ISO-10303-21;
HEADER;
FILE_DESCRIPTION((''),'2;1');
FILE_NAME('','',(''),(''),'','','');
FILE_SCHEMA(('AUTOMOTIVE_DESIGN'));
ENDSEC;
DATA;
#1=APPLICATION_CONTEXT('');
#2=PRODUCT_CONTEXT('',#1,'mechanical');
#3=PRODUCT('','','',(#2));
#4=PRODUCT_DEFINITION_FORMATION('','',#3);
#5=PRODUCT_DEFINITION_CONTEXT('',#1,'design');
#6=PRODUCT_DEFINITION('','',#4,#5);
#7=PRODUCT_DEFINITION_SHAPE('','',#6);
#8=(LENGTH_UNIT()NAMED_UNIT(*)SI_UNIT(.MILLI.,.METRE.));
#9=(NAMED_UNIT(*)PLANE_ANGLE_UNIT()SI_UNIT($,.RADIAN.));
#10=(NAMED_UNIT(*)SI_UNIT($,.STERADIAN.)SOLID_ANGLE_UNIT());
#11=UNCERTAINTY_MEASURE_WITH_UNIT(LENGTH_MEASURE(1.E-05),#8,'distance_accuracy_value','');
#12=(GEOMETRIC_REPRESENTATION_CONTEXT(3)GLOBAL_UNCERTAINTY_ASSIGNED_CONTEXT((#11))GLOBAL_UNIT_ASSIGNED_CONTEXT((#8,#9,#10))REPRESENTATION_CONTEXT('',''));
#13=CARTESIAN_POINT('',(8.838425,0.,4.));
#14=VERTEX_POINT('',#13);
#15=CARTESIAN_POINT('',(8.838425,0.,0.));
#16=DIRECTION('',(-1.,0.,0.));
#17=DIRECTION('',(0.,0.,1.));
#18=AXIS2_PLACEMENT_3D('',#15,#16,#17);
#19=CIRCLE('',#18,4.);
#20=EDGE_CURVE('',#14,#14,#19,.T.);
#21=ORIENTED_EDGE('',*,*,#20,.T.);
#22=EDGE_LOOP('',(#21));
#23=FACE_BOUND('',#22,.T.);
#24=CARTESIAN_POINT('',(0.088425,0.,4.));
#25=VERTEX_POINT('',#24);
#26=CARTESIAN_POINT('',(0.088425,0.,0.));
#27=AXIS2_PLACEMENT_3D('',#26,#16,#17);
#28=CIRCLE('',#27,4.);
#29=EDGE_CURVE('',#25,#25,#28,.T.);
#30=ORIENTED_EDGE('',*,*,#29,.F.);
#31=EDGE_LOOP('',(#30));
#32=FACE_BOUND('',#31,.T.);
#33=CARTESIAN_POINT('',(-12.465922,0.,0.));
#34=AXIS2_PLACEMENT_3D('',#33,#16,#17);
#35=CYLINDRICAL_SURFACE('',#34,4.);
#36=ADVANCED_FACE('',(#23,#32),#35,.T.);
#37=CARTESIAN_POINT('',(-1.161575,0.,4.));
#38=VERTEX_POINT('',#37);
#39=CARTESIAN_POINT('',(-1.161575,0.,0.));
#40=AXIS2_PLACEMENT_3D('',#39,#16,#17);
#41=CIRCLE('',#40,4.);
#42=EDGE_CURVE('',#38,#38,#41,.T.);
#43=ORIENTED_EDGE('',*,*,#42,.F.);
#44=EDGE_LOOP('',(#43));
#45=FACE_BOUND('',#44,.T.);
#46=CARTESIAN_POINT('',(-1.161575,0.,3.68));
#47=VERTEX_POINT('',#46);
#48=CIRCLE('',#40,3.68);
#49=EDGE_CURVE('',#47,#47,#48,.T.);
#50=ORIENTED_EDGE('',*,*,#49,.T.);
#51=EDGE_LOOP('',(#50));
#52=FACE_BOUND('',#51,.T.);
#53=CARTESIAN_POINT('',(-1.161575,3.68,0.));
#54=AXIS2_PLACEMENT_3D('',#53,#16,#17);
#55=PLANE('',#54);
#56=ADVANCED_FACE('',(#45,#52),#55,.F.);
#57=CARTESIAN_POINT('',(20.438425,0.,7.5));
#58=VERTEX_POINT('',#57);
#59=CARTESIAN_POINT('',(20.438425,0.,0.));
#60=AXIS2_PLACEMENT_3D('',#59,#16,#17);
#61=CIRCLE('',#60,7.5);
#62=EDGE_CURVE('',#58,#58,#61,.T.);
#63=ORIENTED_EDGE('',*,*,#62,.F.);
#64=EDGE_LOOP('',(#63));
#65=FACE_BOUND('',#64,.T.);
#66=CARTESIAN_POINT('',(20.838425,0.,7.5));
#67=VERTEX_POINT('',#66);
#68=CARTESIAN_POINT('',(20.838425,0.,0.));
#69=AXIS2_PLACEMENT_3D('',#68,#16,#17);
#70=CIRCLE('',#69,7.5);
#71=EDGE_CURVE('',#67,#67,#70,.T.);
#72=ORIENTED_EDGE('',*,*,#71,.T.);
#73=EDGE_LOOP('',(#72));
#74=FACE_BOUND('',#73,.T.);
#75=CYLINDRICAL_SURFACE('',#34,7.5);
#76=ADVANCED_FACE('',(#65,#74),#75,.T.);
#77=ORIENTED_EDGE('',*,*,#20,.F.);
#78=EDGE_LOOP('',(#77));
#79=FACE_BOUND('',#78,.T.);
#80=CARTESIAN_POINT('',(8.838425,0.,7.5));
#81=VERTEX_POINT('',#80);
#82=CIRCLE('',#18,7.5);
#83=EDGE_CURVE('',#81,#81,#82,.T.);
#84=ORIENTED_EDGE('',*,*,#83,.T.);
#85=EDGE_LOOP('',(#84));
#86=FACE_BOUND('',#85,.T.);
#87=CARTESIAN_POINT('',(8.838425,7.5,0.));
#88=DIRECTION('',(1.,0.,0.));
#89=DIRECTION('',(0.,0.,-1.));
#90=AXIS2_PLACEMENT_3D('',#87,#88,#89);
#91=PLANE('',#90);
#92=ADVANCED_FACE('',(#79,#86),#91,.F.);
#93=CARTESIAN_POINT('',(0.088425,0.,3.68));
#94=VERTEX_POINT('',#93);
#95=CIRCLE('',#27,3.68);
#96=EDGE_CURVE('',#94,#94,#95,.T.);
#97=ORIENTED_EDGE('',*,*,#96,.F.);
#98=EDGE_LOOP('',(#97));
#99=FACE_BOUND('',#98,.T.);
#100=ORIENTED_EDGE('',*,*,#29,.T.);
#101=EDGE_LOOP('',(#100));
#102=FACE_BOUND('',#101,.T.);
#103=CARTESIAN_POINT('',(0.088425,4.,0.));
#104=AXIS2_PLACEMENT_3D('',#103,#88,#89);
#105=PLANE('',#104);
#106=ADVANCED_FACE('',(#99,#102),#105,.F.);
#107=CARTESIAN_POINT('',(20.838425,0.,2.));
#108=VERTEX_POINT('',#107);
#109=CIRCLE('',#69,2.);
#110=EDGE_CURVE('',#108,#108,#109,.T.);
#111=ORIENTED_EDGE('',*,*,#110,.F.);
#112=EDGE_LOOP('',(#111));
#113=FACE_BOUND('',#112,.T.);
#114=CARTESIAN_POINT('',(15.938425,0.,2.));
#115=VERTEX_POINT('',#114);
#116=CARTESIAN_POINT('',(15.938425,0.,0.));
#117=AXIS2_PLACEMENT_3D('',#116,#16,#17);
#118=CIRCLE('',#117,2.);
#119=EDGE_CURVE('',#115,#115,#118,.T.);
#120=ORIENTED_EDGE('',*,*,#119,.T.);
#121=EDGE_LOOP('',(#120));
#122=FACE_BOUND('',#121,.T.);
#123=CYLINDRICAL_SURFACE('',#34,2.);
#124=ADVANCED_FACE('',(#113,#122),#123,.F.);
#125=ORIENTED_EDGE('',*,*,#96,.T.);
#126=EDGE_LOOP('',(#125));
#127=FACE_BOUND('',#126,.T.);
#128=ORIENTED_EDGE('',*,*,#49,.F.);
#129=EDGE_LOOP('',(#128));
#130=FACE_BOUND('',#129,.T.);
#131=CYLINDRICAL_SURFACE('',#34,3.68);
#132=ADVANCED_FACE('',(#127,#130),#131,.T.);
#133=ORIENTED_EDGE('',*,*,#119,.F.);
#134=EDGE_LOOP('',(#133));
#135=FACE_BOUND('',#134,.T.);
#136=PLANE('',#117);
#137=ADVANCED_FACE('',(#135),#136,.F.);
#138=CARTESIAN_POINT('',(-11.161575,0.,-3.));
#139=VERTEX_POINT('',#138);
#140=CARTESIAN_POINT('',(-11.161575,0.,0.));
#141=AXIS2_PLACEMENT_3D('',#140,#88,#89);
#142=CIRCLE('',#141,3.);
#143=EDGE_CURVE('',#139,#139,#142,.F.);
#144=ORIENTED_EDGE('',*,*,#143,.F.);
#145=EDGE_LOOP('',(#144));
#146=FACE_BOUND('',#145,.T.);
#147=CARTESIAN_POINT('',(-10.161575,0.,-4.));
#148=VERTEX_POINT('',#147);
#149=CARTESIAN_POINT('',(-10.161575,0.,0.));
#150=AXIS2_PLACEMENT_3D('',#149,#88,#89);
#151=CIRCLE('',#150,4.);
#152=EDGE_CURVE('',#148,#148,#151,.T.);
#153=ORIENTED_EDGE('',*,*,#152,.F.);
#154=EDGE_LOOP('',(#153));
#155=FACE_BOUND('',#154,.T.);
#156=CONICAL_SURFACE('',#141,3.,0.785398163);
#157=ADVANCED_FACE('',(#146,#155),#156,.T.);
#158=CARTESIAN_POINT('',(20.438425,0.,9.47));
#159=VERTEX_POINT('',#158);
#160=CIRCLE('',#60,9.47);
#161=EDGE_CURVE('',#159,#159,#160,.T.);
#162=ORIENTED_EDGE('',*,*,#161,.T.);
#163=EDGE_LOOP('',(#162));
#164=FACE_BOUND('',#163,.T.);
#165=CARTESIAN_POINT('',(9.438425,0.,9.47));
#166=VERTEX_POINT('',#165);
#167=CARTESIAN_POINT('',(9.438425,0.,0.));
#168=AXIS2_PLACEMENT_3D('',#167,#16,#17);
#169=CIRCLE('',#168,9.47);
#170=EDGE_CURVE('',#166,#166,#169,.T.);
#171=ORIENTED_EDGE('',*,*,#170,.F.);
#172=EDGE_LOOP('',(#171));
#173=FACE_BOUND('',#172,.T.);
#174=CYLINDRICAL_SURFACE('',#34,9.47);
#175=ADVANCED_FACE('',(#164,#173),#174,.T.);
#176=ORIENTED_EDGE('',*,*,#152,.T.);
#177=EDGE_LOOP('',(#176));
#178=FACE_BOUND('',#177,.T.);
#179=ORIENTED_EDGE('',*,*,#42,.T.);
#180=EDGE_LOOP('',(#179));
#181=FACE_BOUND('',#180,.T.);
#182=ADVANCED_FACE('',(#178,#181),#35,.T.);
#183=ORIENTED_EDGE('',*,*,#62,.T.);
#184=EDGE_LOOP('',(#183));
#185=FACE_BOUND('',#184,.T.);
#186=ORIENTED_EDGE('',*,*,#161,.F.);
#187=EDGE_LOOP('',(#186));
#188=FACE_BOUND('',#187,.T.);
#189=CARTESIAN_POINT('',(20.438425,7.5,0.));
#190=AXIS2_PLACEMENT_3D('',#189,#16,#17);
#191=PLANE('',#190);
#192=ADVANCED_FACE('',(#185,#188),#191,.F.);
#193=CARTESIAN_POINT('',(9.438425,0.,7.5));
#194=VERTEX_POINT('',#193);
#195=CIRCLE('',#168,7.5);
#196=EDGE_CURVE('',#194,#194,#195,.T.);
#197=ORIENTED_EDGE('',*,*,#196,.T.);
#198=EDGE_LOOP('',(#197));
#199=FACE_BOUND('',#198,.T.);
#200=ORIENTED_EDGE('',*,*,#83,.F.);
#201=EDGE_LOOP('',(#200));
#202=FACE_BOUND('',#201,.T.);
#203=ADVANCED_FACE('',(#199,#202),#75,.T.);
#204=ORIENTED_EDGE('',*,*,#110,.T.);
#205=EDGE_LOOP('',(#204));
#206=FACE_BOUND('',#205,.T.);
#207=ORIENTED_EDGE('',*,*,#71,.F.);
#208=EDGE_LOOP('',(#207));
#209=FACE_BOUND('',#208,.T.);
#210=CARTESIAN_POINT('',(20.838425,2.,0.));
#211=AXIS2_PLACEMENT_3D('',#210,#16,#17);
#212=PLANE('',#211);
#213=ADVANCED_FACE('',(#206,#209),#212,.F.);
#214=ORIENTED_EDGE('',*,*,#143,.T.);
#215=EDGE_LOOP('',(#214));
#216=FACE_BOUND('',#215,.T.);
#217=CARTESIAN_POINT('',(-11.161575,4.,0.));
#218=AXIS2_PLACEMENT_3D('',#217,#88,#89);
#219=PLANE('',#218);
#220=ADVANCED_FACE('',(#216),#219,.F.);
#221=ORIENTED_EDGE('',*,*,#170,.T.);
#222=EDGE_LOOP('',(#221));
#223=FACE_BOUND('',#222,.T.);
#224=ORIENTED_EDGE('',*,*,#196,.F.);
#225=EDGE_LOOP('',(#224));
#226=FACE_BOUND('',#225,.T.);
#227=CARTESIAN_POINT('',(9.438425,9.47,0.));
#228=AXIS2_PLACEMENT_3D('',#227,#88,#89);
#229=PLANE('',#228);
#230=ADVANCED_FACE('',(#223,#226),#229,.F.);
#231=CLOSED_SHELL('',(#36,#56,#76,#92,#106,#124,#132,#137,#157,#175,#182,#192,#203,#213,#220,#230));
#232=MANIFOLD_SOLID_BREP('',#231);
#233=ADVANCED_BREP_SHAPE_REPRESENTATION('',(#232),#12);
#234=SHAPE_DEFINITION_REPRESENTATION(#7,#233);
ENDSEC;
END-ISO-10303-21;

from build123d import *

# Parameters (mm, degrees)
SMUSSO1_SIZE = 1


with BuildPart() as part:
    # Schizzo1 → Rivoluzione1 (revolve)
    with BuildSketch(Plane.XY, mode=Mode.PRIVATE) as rivoluzione1_sk:
        Polygon((15.938425382, 0), (15.938425382, 2), (20.838425382, 2), (20.838425382, 7.5), (20.438425382, 7.5), (20.438425382, 9.47), (9.438425382, 9.47), (9.438425382, 7.5), (8.838425382, 7.5), (8.838425382, 4), (0.088425382, 4), (0.088425382, 3.68), (-1.161574618, 3.68), (-1.161574618, 4), (-11.161574618, 4), (-11.161574618, 0), align=None)
    revolve(rivoluzione1_sk.sketch.rotate(Axis((-12.465922444, 0, 0), (1, 0, 0)), 90), axis=Axis((-12.465922444, 0, 0), (1, 0, 0)))

    # Smusso1
    smusso1_edges = [part.edges().sort_by_distance(p)[0] for p in [
        (-11.161574618, 0, -4),
    ]]
    chamfer(smusso1_edges, length=SMUSSO1_SIZE)


solid = part.part
